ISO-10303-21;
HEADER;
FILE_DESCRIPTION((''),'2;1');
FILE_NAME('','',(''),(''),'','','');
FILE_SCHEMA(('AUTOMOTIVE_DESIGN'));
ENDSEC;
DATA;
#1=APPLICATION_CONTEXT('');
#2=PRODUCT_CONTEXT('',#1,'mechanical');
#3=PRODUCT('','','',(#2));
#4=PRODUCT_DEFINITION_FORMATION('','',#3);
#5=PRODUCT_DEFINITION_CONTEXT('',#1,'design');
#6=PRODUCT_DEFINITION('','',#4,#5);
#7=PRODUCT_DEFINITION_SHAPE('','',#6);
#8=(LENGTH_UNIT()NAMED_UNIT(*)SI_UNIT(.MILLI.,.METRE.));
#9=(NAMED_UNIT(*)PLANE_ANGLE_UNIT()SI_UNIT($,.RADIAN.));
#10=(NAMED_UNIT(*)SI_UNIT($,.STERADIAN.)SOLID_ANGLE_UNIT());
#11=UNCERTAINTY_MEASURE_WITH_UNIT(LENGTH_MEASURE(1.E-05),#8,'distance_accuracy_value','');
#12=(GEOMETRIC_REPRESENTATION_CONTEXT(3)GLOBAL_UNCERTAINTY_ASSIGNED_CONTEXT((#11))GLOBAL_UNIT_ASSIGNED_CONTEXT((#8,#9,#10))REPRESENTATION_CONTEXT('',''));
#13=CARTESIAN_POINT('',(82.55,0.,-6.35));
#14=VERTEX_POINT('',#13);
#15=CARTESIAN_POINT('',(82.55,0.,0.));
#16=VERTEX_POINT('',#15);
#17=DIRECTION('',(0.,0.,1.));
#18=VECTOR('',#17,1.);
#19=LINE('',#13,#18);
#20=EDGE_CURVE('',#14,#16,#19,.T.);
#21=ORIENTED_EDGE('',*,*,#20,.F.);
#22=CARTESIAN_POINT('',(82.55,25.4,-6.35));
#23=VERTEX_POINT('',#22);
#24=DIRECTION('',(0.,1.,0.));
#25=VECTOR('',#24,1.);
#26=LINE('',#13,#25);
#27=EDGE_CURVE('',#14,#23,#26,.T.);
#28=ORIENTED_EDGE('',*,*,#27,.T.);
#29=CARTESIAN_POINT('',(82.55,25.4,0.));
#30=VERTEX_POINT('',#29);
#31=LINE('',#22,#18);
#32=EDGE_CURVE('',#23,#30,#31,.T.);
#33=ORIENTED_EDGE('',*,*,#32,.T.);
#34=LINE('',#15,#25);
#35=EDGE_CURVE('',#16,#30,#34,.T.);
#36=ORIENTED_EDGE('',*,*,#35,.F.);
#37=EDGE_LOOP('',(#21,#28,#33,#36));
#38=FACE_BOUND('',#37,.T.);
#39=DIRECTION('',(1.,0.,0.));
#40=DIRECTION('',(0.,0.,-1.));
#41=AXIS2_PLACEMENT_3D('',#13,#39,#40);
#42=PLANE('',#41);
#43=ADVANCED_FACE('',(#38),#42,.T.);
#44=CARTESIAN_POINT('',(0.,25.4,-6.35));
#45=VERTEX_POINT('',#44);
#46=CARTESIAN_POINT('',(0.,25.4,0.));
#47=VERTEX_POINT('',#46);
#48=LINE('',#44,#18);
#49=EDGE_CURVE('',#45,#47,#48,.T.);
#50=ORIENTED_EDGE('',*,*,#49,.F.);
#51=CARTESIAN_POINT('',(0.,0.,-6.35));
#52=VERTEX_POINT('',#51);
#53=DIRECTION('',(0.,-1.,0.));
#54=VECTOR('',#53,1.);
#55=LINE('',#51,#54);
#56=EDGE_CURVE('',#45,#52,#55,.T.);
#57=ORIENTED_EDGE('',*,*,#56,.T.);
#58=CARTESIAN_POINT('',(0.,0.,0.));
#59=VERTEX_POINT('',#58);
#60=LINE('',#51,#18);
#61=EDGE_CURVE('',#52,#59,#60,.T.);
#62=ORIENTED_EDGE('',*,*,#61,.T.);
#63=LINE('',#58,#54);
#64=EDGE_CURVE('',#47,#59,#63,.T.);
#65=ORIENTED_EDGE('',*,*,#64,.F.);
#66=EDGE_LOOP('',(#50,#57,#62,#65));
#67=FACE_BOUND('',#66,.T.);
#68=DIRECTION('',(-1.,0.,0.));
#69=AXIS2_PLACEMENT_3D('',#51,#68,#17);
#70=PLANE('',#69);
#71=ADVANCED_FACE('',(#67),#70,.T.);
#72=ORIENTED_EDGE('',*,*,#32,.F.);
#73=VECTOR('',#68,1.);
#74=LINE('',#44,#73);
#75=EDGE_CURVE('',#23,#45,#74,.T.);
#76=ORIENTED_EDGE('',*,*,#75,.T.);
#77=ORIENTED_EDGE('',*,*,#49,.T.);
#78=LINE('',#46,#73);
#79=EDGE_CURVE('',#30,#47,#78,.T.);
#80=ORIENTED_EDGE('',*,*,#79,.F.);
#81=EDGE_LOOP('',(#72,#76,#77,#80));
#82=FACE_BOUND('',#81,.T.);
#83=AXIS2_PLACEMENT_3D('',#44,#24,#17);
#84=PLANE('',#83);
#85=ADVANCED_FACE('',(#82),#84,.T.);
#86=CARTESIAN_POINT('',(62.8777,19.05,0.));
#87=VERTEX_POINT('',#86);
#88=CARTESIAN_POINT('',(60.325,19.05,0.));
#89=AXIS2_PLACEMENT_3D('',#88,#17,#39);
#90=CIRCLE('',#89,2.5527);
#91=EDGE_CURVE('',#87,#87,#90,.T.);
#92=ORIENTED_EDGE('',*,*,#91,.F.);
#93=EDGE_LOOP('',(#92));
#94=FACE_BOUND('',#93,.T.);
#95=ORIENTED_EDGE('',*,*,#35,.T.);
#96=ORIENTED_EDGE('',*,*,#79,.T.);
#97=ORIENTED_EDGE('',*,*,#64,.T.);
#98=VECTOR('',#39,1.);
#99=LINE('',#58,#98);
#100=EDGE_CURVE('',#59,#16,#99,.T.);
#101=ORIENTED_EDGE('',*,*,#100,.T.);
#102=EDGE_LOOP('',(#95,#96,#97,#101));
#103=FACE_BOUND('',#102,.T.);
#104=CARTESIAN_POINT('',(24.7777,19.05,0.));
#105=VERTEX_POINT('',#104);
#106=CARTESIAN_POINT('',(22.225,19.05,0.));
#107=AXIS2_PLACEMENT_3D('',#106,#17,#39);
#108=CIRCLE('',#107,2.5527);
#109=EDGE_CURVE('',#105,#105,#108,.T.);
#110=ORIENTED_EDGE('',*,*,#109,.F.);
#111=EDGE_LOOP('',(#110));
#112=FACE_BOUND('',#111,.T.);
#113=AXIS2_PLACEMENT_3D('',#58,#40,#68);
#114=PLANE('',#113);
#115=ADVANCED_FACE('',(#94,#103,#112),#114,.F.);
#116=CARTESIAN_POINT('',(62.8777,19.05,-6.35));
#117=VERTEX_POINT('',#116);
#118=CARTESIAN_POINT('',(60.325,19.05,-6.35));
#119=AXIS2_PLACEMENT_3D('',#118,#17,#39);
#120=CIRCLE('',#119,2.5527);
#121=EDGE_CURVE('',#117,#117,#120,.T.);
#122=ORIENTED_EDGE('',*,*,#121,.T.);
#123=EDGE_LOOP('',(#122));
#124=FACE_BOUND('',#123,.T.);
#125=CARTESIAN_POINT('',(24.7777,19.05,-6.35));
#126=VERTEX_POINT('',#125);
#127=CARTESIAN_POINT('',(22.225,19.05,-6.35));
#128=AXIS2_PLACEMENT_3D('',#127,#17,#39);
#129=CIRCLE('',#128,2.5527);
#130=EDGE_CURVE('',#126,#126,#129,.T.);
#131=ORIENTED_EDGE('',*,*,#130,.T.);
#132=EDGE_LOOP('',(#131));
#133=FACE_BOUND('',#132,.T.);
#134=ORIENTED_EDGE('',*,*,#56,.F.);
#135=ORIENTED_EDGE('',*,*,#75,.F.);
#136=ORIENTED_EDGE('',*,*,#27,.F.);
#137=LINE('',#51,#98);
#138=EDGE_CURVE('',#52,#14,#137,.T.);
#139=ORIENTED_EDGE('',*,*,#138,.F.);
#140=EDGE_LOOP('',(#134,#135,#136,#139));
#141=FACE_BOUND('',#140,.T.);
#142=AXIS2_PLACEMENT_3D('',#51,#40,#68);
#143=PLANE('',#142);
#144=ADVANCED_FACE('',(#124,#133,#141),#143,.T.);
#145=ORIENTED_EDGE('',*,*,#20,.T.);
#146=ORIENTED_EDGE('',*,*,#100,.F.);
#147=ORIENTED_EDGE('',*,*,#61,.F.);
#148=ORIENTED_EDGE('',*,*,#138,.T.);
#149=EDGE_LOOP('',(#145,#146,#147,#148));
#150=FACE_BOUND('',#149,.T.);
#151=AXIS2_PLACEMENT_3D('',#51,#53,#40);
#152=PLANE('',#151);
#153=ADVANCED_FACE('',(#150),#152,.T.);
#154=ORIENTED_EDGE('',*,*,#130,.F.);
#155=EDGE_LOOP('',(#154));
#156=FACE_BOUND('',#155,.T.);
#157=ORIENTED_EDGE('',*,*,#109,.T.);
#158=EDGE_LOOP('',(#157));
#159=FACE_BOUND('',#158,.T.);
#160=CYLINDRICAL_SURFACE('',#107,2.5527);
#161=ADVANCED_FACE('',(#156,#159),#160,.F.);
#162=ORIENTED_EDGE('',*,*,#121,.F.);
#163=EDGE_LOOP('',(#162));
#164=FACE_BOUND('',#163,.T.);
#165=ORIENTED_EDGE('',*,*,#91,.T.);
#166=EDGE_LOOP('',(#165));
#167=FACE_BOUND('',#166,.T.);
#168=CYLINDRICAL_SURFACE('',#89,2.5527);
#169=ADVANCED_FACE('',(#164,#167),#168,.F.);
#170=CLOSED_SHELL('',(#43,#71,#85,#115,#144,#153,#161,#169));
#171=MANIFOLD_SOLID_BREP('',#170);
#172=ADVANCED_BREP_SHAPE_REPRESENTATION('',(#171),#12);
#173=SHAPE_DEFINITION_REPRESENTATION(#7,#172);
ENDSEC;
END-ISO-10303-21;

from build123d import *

# Parameters (mm, degrees)
SKETCH1_W               = 82.55
SKETCH1_H               = 25.4
BOSS_EXTRUDE1_DEPTH     = 6.35
F_1_4_20_TAPPED_HOLE1_D = 5.1054


with BuildPart() as part:
    # Sketch1 → Boss-Extrude1 (new body)
    with BuildSketch(Plane.XY):
        with Locations((41.275, 12.7)):
            Rectangle(SKETCH1_W, SKETCH1_H)
    extrude(amount=-BOSS_EXTRUDE1_DEPTH)

    # 1/4-20 Tapped Hole1 (through all)
    with Locations(Plane.XY):
        with Locations((22.225, 19.05), (60.325, 19.05)):
            Hole(F_1_4_20_TAPPED_HOLE1_D / 2)


solid = part.part
